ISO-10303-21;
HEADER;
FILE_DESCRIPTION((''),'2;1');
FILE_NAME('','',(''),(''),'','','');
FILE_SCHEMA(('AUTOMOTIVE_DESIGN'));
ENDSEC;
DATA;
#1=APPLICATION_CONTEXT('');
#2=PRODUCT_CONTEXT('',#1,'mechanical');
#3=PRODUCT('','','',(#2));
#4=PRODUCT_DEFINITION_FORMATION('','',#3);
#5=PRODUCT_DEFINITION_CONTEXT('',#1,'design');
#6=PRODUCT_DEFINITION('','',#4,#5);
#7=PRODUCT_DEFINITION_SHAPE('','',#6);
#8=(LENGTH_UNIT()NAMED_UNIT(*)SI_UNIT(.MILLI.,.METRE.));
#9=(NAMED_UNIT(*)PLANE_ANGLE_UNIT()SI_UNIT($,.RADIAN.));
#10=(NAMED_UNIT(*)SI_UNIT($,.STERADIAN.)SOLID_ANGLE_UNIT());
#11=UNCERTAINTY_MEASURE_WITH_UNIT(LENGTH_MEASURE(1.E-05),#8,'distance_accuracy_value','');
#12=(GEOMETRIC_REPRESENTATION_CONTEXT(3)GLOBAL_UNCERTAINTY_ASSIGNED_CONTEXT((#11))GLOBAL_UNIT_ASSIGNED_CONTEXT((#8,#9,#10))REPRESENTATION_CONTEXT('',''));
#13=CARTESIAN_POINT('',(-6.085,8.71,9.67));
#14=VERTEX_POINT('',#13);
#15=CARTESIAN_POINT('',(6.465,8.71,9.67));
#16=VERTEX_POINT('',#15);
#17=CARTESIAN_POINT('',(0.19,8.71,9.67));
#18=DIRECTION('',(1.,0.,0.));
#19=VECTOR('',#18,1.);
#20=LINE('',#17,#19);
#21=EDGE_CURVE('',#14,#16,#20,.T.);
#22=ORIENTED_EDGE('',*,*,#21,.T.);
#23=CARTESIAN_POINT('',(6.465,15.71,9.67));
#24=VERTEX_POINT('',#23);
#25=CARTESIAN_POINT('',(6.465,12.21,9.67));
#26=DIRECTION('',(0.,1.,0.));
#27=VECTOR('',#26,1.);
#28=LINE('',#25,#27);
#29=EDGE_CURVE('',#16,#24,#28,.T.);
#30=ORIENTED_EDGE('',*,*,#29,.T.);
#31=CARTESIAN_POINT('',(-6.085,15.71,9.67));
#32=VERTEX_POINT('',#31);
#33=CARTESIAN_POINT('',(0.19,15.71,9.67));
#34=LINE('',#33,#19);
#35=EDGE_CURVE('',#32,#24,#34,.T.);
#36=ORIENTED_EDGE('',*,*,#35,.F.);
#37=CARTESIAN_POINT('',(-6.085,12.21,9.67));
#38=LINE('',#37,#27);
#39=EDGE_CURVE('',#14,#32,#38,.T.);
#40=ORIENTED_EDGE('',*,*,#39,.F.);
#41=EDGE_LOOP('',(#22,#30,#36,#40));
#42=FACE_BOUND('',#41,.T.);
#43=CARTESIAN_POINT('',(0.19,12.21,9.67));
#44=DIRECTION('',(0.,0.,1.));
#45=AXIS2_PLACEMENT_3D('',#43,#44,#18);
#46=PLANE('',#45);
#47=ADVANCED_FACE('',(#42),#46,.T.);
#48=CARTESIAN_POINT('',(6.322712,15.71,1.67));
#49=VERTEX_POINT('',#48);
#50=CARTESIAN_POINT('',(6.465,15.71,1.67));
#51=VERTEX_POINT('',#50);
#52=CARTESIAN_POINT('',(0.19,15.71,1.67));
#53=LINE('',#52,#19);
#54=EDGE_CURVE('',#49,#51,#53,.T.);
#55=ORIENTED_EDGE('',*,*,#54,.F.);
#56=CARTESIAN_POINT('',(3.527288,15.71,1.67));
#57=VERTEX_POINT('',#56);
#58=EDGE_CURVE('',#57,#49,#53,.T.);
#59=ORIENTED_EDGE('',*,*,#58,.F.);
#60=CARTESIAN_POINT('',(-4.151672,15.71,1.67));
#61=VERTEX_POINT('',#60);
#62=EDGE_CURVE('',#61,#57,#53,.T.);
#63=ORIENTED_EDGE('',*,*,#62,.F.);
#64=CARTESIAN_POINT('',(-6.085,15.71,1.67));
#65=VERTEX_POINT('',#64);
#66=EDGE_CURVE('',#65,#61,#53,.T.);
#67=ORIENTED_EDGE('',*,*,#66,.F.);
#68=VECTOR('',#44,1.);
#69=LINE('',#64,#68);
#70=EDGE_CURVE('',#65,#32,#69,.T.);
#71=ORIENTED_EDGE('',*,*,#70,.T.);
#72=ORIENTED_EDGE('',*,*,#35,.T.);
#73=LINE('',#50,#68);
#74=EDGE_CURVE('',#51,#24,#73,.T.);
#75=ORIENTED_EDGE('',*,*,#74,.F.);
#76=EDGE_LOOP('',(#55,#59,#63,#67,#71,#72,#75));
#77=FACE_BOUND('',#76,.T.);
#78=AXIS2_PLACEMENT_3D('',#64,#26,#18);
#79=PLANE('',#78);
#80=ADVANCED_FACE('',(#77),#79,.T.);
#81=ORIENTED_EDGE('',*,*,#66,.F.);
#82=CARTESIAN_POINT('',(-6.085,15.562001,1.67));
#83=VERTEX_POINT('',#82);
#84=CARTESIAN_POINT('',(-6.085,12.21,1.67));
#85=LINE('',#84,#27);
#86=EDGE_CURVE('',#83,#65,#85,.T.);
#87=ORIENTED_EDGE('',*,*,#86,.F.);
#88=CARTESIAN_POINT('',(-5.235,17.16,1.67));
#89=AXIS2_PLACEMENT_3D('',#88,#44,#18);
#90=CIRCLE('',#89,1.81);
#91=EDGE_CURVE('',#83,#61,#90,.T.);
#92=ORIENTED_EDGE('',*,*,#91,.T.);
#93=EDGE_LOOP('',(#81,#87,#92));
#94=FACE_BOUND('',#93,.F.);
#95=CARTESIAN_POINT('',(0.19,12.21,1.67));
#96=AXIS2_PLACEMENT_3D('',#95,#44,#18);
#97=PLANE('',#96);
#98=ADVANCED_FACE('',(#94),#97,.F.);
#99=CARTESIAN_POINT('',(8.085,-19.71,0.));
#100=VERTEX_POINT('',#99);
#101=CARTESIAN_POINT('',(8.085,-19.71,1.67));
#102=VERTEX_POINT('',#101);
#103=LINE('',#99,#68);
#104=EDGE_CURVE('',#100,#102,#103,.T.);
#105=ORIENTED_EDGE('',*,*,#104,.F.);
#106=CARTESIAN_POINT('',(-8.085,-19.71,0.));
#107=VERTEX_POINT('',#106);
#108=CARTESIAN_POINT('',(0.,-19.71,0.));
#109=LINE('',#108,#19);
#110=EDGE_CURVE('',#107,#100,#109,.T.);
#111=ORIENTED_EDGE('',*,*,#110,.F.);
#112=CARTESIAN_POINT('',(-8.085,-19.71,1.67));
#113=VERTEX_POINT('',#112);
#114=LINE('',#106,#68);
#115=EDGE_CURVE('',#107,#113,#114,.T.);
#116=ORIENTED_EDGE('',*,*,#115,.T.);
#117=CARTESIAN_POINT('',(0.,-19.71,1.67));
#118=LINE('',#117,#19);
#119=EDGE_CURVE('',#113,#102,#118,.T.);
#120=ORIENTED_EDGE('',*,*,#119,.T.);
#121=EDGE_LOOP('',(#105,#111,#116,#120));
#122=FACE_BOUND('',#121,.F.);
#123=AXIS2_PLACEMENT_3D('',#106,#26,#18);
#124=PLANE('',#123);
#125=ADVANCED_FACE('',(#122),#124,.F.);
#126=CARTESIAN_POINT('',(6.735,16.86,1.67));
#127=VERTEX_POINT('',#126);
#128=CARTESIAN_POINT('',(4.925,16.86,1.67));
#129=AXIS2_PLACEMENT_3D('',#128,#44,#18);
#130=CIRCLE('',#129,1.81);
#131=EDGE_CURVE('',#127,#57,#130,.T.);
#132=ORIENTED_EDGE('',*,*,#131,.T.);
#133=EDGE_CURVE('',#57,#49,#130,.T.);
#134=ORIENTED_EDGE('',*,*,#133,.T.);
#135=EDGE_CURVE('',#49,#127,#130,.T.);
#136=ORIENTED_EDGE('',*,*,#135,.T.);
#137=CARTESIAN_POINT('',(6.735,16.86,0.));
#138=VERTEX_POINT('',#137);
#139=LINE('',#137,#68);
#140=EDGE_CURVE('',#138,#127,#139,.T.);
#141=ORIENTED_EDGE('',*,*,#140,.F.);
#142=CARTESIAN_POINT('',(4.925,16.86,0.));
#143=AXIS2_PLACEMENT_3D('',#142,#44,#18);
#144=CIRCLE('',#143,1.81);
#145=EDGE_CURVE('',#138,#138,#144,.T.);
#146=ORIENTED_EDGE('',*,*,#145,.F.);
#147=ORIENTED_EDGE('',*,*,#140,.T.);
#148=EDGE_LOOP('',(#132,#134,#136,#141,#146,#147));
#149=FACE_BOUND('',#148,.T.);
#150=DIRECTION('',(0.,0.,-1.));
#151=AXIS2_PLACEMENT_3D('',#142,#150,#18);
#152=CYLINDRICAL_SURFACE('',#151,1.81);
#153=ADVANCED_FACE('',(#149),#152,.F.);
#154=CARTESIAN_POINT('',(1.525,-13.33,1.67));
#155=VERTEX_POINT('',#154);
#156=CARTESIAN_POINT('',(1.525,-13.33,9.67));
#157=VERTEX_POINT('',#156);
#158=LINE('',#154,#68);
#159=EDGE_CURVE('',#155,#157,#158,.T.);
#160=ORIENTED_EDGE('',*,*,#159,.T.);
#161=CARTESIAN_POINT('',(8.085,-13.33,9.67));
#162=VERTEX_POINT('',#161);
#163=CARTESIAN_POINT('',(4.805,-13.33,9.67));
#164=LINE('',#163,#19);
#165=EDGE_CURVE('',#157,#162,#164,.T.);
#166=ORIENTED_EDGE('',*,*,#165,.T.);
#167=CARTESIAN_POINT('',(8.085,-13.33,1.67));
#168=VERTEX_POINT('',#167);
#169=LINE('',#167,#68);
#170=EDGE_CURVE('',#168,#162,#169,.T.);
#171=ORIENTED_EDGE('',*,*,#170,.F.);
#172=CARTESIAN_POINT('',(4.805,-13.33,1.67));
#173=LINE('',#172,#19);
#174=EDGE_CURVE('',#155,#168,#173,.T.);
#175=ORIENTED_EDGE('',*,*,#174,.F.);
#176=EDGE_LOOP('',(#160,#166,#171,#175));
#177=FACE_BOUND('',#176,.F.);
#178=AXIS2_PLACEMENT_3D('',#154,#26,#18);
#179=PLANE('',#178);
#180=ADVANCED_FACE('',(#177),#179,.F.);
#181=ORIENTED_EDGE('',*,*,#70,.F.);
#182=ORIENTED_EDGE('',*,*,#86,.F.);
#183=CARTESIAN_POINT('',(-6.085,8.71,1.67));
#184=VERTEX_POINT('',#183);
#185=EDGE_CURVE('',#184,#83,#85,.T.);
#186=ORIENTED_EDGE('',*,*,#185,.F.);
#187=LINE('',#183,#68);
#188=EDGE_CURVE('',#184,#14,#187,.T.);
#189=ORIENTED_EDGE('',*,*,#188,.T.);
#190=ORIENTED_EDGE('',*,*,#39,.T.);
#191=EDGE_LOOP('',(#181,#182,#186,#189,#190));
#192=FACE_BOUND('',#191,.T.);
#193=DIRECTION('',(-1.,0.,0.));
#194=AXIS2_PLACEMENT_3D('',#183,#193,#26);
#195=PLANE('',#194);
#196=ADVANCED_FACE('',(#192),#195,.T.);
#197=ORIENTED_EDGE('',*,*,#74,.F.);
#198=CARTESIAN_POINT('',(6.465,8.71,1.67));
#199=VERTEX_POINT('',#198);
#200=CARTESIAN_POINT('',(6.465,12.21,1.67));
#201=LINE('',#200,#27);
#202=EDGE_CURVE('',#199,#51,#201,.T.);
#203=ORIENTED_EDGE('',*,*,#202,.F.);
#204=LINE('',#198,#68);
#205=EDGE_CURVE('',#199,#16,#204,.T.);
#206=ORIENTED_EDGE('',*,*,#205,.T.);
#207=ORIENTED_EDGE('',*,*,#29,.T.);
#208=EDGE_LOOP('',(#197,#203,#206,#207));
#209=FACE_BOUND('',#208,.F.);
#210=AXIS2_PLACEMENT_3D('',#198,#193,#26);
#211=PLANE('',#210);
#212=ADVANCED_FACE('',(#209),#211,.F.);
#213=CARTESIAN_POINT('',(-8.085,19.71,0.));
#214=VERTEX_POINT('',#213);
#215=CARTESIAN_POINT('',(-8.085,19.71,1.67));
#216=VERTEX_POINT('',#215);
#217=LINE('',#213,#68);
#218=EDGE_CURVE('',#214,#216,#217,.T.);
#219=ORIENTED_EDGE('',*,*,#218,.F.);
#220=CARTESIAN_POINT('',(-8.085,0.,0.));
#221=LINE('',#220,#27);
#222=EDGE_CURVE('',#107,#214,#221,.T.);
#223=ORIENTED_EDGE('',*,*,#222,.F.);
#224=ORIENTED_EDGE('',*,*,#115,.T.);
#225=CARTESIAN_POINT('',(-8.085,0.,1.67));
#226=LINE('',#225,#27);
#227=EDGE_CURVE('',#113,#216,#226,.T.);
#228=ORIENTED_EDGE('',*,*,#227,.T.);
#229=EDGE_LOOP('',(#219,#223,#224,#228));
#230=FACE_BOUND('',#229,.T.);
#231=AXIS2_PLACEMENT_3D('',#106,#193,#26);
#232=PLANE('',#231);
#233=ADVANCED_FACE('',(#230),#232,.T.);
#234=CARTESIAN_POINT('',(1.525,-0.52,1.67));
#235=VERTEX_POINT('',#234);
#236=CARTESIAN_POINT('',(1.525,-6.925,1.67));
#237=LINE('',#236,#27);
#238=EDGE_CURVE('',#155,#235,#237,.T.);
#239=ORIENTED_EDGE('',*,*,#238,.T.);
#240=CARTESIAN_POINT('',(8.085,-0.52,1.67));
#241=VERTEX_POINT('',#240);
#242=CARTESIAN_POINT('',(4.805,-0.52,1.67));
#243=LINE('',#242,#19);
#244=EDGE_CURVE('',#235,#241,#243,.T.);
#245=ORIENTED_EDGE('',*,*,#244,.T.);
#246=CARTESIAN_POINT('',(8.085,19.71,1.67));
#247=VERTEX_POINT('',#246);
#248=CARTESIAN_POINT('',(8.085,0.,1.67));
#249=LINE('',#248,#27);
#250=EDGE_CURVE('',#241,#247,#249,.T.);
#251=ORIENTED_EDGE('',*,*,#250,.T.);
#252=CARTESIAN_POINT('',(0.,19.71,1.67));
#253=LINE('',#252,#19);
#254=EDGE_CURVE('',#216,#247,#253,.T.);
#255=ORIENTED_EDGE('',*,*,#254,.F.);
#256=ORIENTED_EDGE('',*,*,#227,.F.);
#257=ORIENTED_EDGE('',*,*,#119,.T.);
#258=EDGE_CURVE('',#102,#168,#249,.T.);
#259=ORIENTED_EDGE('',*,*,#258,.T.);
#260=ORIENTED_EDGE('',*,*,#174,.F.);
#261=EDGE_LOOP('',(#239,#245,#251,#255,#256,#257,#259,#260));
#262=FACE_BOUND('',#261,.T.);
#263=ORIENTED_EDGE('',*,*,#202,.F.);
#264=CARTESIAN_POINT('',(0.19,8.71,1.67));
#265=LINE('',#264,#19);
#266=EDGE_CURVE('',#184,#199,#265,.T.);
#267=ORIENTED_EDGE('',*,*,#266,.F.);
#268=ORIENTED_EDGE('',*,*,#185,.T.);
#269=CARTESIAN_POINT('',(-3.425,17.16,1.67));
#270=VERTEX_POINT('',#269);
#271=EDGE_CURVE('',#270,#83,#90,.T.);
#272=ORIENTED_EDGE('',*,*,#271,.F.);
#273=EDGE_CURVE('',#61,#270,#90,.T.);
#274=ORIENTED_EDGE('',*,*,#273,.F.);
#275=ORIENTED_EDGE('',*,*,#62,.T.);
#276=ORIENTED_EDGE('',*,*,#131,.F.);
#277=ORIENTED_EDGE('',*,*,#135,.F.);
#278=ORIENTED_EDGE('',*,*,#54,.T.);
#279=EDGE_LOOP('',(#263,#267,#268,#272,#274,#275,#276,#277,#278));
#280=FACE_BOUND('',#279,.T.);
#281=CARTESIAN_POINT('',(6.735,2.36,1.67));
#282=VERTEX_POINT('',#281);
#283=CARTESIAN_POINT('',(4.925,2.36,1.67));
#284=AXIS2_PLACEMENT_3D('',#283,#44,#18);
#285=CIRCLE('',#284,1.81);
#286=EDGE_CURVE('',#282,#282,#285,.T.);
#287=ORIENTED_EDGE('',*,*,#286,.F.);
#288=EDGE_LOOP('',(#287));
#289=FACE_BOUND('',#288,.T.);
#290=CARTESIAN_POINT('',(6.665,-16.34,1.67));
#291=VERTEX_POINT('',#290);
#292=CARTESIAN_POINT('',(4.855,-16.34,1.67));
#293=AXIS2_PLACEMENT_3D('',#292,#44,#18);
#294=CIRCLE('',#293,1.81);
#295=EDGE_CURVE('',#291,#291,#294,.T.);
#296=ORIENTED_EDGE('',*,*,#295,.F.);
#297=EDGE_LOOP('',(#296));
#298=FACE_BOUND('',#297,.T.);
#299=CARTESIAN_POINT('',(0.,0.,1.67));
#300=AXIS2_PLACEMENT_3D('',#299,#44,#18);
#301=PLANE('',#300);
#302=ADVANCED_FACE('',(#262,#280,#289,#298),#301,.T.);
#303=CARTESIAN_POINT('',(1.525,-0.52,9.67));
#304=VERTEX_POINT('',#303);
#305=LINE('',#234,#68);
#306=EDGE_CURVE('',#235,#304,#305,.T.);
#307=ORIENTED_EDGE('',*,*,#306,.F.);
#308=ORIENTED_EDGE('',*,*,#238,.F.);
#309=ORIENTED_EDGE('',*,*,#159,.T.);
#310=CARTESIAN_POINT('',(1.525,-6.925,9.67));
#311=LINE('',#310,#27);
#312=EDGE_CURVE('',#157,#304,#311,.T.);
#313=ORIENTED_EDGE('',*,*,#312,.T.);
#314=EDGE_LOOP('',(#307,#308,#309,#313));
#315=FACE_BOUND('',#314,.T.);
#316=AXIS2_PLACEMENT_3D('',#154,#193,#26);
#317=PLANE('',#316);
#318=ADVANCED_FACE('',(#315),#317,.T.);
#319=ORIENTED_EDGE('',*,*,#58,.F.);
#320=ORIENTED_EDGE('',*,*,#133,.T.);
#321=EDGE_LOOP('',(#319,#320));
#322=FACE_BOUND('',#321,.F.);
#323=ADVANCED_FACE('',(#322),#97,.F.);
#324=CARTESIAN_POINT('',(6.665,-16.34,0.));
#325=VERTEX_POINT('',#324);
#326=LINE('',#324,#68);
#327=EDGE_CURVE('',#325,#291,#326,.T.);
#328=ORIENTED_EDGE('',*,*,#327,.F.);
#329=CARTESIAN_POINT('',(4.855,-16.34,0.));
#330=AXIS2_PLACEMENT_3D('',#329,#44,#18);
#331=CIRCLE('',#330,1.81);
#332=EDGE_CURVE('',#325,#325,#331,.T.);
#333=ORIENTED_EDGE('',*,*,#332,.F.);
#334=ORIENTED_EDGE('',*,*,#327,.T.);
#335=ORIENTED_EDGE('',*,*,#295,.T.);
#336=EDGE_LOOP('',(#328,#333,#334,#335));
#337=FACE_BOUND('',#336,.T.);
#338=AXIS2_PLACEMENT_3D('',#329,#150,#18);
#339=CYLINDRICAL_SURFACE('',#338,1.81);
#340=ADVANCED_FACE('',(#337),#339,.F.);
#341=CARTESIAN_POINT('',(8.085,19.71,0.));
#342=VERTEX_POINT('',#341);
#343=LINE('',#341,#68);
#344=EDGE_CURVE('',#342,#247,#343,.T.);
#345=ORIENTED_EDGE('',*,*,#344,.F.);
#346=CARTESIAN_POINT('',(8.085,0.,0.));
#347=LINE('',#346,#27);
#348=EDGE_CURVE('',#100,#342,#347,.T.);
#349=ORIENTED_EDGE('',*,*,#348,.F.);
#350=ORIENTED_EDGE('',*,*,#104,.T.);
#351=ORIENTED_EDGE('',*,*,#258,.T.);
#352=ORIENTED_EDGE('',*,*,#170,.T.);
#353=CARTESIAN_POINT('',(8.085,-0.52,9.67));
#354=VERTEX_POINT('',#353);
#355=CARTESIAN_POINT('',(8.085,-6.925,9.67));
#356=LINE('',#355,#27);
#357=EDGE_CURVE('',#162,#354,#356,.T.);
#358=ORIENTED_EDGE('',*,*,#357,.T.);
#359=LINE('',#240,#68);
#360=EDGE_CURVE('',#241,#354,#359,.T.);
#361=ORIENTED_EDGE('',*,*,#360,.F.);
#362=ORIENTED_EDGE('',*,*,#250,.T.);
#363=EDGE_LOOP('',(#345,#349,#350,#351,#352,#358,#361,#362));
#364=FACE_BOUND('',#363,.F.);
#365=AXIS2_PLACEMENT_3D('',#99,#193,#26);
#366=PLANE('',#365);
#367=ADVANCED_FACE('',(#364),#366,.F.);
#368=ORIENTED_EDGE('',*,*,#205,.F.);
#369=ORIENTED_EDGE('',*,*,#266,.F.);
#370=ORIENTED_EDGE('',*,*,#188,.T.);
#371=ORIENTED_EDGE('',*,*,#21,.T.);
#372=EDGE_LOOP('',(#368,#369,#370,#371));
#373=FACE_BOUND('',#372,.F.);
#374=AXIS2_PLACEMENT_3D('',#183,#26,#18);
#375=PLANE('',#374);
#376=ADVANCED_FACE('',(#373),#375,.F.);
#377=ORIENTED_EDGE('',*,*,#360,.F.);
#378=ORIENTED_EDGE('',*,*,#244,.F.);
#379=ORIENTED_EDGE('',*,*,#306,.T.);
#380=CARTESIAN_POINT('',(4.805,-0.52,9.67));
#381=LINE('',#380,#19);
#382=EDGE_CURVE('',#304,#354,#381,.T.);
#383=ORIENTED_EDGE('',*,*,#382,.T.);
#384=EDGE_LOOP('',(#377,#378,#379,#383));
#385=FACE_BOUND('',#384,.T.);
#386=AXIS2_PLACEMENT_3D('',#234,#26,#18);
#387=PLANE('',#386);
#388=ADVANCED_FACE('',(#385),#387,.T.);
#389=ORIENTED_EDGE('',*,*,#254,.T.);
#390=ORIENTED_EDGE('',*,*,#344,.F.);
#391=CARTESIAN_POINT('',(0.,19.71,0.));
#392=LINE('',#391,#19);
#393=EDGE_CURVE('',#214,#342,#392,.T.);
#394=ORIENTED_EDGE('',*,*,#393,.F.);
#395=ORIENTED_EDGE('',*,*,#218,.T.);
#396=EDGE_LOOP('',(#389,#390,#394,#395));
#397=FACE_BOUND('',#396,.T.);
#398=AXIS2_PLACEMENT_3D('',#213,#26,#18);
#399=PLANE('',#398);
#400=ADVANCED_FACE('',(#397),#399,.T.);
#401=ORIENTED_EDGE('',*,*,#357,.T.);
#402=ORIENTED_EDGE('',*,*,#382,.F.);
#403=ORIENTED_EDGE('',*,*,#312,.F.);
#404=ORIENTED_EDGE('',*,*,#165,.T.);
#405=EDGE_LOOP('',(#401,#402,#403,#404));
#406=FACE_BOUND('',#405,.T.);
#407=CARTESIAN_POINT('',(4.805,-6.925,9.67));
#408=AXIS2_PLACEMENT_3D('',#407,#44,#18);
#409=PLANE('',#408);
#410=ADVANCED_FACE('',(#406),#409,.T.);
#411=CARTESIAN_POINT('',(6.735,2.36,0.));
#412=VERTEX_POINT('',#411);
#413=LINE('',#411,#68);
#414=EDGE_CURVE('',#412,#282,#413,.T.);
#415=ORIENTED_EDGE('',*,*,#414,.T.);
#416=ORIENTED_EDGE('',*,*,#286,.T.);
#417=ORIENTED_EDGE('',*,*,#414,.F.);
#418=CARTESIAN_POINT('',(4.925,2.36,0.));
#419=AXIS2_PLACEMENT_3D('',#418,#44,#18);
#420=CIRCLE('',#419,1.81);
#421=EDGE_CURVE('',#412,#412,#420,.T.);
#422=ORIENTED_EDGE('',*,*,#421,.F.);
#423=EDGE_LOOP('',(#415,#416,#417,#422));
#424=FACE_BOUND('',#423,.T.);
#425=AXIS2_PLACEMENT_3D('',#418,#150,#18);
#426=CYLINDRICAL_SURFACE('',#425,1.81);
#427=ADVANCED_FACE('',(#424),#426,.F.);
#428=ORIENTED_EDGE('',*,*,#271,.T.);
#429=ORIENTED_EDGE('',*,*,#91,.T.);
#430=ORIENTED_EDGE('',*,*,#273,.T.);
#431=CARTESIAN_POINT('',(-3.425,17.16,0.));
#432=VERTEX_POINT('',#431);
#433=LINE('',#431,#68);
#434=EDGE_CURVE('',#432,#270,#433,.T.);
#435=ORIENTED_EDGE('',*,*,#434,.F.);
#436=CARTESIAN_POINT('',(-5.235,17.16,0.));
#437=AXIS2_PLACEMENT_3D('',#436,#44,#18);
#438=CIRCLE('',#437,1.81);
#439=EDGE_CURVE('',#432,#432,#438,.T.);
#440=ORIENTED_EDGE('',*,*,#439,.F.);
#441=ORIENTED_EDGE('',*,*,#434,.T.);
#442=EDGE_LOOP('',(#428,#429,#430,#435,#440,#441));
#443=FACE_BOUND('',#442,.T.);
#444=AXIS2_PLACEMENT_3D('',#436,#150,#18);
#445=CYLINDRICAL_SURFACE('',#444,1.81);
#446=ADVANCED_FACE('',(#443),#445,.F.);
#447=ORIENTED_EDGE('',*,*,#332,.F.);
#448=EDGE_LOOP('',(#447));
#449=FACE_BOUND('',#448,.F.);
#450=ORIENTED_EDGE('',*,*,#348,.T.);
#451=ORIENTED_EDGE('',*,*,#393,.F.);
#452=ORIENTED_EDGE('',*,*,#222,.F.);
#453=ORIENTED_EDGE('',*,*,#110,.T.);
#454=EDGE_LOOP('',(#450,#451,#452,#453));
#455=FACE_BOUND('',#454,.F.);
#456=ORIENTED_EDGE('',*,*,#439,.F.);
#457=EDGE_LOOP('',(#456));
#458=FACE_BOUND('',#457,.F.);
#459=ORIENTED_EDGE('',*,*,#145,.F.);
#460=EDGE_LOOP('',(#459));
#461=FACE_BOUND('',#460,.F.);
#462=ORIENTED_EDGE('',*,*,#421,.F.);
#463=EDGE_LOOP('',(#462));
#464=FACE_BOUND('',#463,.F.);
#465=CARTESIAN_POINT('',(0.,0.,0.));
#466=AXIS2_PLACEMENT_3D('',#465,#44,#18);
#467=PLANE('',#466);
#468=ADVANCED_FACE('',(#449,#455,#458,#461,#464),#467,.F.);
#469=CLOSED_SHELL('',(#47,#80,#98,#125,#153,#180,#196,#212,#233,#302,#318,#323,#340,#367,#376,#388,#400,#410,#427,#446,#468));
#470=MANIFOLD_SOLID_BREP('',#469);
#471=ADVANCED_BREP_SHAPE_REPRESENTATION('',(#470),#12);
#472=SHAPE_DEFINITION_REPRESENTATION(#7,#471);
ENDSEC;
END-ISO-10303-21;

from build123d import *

# Parameters (mm, degrees)
F0_W     = 16.17
F0_H     = 39.42
F0_R     = 1.81
F1_DEPTH = 1.67
F2_W     = 6.56
F2_H     = 12.81
F2_W_2   = 12.55
F2_H_2   = 7
F3_DEPTH = 8


with BuildPart() as f1:
    # F0 (on Top) → F1 (new body)
    with BuildSketch(Plane.XY):
        Rectangle(F0_W, F0_H)
        with Locations((4.855, -16.34)):
            Circle(F0_R, mode=Mode.SUBTRACT)
        with Locations((-5.235, 17.16)):
            Circle(F0_R, mode=Mode.SUBTRACT)
        with Locations((4.925, 2.36)):
            Circle(F0_R, mode=Mode.SUBTRACT)
        with Locations((4.925, 16.86)):
            Circle(F0_R, mode=Mode.SUBTRACT)
    extrude(amount=F1_DEPTH)

    # F2 (on face) → F3 (join)
    with BuildSketch(Plane.XY.offset(1.67)):
        with Locations((4.805, -6.925)):
            Rectangle(F2_W, F2_H)
        with Locations((0.19, 12.21)):
            Rectangle(F2_W_2, F2_H_2)
    extrude(amount=F3_DEPTH)


solid = f1.part
